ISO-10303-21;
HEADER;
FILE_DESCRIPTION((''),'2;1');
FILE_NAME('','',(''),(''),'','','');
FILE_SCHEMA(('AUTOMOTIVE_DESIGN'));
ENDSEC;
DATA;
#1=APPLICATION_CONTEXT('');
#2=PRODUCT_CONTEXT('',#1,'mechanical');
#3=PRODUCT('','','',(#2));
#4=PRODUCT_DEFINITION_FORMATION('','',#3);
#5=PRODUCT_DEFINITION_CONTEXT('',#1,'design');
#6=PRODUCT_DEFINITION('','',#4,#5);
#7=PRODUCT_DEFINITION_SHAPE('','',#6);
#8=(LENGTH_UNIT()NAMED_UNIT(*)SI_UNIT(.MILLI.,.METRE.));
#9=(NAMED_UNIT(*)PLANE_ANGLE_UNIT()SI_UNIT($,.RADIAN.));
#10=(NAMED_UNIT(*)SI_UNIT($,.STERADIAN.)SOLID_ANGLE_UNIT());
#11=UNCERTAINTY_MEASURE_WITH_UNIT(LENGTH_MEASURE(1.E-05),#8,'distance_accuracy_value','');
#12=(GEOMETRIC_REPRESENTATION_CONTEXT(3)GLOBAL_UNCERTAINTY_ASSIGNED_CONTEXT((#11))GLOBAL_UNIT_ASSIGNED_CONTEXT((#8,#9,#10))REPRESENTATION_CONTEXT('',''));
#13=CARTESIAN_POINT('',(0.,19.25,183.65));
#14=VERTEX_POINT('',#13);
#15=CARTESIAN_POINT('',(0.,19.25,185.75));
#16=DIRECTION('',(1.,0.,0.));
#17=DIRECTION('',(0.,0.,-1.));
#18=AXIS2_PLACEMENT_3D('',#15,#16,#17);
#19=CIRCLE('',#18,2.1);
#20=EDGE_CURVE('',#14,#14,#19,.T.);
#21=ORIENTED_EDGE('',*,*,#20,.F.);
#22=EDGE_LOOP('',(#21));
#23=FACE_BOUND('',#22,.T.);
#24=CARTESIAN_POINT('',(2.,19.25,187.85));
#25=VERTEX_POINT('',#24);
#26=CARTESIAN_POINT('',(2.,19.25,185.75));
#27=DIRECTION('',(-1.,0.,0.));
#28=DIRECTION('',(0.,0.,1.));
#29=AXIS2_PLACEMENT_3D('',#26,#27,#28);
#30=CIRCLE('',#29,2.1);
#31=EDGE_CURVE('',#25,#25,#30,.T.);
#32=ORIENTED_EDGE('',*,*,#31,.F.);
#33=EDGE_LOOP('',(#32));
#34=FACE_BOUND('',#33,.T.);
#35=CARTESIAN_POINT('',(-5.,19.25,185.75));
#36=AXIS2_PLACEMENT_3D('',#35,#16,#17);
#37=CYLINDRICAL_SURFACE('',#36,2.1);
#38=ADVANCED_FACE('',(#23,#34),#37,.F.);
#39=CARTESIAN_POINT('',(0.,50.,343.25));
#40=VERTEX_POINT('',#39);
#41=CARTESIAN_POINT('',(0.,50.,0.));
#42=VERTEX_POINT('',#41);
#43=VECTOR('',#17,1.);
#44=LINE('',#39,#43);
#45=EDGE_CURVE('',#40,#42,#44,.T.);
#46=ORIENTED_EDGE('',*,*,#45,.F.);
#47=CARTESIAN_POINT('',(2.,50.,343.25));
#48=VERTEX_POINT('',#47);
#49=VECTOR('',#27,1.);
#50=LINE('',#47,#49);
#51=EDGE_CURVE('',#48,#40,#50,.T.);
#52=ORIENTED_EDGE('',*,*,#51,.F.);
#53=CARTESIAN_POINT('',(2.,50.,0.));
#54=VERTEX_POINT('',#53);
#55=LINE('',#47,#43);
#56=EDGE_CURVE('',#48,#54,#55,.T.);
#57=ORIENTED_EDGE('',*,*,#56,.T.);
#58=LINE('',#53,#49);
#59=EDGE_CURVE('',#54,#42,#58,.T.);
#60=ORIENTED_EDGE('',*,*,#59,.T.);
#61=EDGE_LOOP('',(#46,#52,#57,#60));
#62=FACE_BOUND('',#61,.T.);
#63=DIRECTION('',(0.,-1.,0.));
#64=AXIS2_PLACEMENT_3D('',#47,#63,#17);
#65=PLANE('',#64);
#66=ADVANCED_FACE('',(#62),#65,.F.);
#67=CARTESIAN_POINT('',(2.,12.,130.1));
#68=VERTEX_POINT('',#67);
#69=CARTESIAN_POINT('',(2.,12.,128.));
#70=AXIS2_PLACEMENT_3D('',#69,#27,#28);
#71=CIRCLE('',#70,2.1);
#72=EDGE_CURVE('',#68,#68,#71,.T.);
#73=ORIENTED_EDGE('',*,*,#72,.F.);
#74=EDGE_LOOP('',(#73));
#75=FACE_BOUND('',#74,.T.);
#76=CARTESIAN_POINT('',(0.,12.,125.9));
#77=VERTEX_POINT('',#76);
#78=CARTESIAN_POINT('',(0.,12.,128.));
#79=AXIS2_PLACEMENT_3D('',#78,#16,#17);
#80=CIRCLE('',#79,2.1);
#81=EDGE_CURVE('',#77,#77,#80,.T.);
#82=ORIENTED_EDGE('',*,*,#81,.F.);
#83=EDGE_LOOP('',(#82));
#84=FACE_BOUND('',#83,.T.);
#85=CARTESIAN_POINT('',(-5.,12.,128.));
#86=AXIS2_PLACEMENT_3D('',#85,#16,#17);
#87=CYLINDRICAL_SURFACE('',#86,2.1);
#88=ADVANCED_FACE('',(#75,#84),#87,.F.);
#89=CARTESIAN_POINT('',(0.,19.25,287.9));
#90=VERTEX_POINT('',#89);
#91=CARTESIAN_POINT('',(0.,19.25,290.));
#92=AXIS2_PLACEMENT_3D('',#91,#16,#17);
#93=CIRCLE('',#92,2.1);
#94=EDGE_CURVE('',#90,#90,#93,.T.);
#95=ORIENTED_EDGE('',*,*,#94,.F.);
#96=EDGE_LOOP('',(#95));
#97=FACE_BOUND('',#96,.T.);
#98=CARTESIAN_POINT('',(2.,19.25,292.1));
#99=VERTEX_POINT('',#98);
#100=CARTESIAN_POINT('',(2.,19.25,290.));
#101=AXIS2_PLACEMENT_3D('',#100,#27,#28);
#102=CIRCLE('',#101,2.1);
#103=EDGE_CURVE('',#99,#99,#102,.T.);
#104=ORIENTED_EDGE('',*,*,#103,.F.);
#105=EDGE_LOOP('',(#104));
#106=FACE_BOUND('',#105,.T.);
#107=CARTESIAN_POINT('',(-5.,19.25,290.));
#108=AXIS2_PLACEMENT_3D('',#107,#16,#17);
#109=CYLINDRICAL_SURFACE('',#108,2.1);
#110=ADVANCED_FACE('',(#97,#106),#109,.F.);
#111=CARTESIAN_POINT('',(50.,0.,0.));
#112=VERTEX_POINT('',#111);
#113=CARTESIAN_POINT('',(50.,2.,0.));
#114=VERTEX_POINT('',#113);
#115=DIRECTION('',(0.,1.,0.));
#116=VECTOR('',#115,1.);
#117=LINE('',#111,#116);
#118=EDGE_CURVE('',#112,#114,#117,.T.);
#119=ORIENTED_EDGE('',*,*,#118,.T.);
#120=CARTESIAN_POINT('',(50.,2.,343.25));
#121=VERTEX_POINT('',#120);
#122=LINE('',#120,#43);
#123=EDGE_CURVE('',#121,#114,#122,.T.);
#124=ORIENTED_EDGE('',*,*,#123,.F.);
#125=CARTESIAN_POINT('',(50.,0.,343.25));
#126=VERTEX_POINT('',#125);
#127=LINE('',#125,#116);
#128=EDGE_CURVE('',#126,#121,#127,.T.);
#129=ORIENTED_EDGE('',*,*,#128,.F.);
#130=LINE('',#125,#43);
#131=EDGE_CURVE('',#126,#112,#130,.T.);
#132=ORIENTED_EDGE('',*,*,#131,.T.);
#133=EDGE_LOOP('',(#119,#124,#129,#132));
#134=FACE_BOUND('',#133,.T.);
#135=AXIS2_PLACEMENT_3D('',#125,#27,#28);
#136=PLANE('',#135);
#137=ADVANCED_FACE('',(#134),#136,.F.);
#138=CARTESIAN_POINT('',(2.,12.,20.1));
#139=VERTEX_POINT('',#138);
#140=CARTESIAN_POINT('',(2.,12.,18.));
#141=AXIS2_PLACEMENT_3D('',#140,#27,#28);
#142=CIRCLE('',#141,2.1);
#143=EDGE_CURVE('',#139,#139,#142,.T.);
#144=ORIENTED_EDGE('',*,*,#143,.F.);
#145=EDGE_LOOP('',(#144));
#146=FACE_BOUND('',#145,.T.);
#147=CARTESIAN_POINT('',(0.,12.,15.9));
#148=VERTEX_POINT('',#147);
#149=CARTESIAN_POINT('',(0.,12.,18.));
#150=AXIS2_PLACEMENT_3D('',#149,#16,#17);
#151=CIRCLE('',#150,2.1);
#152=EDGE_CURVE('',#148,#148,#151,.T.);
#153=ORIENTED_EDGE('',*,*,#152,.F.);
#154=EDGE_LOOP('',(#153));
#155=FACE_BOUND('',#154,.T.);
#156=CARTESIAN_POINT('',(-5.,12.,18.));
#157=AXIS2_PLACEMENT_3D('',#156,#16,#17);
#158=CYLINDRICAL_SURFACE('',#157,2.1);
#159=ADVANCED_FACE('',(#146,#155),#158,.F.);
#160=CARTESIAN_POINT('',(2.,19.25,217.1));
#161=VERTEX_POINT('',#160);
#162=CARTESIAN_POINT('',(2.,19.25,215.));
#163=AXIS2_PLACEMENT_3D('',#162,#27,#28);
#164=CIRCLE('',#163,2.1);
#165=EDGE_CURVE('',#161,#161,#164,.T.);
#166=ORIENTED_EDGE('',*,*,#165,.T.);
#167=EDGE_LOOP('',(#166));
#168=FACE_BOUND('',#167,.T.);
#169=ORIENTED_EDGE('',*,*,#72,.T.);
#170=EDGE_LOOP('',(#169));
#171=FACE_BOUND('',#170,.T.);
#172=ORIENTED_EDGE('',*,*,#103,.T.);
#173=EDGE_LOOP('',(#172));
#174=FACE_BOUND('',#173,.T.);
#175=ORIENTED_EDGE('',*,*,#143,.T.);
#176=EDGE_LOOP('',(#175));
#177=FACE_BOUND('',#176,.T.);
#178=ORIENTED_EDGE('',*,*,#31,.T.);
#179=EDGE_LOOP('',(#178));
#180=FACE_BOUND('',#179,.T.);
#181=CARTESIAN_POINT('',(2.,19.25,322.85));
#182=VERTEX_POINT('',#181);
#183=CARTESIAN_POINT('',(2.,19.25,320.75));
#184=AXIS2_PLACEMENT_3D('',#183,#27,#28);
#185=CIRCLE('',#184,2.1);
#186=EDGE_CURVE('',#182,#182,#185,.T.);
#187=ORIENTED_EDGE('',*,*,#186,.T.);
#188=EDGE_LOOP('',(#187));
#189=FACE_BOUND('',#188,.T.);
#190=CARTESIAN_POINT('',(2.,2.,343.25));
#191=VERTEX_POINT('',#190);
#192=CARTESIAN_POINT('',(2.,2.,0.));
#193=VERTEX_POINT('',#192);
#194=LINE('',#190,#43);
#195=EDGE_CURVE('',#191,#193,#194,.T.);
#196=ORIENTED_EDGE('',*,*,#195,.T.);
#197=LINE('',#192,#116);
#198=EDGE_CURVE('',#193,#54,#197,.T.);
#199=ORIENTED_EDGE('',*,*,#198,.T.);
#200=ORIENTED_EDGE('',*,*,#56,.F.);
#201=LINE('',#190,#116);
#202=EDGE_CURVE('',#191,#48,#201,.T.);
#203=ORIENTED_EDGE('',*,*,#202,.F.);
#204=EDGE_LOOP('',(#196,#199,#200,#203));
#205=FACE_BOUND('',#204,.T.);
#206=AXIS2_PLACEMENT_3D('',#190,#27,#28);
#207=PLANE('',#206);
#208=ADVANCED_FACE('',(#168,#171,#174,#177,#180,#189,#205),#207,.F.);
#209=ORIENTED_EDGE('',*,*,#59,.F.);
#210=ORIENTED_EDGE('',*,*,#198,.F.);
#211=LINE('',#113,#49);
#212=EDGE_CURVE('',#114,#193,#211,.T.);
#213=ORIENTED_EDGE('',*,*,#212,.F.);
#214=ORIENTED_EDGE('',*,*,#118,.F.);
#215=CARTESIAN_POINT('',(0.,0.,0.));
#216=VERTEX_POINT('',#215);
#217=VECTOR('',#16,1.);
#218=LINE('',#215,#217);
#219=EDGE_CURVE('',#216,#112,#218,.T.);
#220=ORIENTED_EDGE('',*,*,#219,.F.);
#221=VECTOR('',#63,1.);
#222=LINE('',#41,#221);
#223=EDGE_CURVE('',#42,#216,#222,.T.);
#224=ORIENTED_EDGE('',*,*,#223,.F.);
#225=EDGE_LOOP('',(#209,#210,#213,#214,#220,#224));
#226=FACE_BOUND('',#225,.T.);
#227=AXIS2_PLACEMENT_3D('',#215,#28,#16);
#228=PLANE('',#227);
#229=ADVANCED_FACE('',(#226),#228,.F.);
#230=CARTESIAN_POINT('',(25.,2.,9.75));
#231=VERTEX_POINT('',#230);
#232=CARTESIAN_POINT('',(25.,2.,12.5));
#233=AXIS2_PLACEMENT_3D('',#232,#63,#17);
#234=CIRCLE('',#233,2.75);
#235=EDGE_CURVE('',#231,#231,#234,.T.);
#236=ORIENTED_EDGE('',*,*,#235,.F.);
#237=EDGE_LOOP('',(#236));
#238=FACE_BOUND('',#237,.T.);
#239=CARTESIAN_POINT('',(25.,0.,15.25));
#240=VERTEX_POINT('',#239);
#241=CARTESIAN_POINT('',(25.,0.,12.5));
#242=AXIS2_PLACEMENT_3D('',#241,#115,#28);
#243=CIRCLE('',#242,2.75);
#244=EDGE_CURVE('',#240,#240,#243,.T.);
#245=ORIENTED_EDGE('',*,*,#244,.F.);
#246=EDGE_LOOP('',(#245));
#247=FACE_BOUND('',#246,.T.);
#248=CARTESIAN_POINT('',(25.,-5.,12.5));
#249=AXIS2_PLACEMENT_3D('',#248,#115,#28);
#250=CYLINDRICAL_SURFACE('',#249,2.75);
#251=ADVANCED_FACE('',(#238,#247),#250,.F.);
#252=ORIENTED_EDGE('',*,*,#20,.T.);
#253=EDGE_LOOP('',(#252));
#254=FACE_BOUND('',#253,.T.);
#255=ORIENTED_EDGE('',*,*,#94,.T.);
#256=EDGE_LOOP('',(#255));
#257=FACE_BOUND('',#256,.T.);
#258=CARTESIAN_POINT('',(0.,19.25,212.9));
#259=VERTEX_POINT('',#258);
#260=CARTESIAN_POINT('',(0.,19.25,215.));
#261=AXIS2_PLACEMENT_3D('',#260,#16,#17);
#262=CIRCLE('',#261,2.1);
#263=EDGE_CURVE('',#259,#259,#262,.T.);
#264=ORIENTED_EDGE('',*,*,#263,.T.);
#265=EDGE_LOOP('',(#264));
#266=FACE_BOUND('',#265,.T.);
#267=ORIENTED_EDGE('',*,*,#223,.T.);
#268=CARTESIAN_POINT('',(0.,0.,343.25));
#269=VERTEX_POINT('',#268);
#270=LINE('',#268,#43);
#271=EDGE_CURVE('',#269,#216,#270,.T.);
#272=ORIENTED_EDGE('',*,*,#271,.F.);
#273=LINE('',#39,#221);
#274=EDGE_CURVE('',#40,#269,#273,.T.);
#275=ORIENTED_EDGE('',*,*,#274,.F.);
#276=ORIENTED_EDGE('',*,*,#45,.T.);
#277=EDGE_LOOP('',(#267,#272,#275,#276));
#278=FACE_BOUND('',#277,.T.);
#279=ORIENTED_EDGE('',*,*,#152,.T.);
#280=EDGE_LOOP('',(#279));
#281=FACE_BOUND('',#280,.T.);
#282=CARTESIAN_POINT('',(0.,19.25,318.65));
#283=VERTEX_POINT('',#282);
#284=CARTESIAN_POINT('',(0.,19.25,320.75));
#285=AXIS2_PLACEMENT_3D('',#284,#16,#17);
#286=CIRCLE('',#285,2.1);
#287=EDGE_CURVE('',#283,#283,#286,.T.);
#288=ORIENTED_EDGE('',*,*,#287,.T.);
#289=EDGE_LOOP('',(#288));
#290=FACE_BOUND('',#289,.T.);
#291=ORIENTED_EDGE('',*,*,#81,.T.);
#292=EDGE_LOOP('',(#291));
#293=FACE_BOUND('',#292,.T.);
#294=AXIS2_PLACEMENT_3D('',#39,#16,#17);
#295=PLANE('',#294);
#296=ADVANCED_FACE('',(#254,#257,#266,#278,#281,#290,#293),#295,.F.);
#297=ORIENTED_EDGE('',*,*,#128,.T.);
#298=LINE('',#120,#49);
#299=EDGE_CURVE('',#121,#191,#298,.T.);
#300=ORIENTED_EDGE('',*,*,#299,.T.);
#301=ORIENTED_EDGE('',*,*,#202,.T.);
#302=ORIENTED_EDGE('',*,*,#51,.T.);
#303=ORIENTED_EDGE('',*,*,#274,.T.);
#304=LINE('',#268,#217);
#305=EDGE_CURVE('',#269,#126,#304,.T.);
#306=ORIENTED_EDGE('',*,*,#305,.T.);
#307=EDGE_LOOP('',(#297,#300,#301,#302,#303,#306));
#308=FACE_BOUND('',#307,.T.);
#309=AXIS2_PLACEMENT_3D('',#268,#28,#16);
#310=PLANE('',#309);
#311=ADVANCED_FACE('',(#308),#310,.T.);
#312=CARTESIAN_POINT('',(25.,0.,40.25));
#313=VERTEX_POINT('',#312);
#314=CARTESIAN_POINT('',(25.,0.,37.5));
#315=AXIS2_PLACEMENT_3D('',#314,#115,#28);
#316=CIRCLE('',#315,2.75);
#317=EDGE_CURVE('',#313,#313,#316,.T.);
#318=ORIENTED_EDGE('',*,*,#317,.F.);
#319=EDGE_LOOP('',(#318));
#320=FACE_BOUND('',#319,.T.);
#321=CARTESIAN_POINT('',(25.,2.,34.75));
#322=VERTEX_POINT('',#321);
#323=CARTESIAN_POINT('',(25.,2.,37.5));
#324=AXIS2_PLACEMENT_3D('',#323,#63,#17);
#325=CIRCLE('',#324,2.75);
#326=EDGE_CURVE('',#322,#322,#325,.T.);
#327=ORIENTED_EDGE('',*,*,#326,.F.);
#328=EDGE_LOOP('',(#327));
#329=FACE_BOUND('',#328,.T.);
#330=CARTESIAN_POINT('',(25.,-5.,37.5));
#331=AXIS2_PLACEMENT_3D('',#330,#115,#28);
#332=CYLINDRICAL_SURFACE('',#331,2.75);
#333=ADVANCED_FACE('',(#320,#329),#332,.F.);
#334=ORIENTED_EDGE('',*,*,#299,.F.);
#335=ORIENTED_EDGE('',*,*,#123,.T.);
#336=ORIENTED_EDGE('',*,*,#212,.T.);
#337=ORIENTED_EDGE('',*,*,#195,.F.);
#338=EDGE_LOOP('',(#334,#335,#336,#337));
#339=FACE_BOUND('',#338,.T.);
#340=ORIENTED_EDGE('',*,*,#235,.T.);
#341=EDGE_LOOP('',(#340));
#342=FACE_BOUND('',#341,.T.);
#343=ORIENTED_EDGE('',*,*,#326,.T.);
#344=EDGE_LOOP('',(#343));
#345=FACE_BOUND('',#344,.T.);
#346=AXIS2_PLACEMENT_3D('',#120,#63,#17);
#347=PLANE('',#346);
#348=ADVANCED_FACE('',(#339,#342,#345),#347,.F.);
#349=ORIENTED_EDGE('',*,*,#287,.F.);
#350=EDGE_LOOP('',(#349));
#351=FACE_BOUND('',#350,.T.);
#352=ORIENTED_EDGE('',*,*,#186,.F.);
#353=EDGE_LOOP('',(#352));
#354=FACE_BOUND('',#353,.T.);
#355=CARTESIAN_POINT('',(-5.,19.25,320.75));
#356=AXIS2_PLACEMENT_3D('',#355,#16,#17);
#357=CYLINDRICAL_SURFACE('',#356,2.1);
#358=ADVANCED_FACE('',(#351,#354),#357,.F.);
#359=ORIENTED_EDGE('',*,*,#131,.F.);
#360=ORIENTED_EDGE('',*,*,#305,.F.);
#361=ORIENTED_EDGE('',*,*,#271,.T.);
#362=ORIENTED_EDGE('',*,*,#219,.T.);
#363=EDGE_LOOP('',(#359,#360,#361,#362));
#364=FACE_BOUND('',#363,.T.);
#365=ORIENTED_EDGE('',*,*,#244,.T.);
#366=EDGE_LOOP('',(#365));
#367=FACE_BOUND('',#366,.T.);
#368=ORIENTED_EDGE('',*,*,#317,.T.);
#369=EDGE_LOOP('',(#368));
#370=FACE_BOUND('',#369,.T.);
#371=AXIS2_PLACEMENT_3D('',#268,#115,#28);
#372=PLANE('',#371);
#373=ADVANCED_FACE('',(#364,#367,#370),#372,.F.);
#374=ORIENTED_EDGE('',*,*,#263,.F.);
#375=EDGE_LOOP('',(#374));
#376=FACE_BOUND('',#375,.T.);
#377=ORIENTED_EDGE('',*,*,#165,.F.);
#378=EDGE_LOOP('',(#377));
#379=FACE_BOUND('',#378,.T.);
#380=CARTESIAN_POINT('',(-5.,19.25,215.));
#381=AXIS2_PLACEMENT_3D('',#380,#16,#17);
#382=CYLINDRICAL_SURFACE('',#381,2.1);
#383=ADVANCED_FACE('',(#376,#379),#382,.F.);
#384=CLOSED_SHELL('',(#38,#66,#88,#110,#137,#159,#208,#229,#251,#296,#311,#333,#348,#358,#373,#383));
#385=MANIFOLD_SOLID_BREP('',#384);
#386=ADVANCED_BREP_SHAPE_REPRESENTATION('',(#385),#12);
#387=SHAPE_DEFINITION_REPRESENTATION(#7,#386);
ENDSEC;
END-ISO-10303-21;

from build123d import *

# Parameters (mm, degrees)
BOSS_EXTRUDE1_DEPTH = 343.25
SKETCH2_R           = 2.1
CUT_EXTRUDE1_DEPTH  = 5
SKETCH3_R           = 2.1
CUT_EXTRUDE2_DEPTH  = 5
SKETCH4_R           = 2.75
CUT_EXTRUDE3_DEPTH  = 5


with BuildPart() as part:
    # Sketch1 → Boss-Extrude1 (new body)
    with BuildSketch(Plane.XY):
        Polygon((0, 0), (50, 0), (50, 2), (2, 2), (2, 50), (0, 50), align=None)
    extrude(amount=BOSS_EXTRUDE1_DEPTH)

    # Sketch2 → Cut-Extrude1 (cut, symmetric)
    with BuildSketch(Plane(origin=(0, 0, 0), x_dir=(0, 0, -1), z_dir=(1, 0, 0))):
        with Locations((-185.75, 19.25)):
            Circle(SKETCH2_R)
        with Locations((-215, 19.25)):
            Circle(SKETCH2_R)
        with Locations((-290, 19.25)):
            Circle(SKETCH2_R)
        with Locations((-320.75, 19.25)):
            Circle(SKETCH2_R)
    extrude(amount=CUT_EXTRUDE1_DEPTH, both=True, mode=Mode.SUBTRACT)

    # Sketch3 → Cut-Extrude2 (cut, symmetric)
    with BuildSketch(Plane(origin=(0, 0, 0), x_dir=(0, 0, -1), z_dir=(1, 0, 0))):
        with Locations((-18, 12)):
            Circle(SKETCH3_R)
        with Locations((-128, 12)):
            Circle(SKETCH3_R)
    extrude(amount=CUT_EXTRUDE2_DEPTH, both=True, mode=Mode.SUBTRACT)

    # Sketch4 → Cut-Extrude3 (cut, symmetric)
    with BuildSketch(Plane(origin=(0, 0, 0), x_dir=(1, 0, 0), z_dir=(0, 1, 0))):
        with Locations(Location((25, -12.5, 0), (0, 0, 270))):
            Circle(SKETCH4_R)
        with Locations(Location((25, -37.5, 0), (0, 0, 270))):
            Circle(SKETCH4_R)
    extrude(amount=CUT_EXTRUDE3_DEPTH, both=True, mode=Mode.SUBTRACT)


solid = part.part
